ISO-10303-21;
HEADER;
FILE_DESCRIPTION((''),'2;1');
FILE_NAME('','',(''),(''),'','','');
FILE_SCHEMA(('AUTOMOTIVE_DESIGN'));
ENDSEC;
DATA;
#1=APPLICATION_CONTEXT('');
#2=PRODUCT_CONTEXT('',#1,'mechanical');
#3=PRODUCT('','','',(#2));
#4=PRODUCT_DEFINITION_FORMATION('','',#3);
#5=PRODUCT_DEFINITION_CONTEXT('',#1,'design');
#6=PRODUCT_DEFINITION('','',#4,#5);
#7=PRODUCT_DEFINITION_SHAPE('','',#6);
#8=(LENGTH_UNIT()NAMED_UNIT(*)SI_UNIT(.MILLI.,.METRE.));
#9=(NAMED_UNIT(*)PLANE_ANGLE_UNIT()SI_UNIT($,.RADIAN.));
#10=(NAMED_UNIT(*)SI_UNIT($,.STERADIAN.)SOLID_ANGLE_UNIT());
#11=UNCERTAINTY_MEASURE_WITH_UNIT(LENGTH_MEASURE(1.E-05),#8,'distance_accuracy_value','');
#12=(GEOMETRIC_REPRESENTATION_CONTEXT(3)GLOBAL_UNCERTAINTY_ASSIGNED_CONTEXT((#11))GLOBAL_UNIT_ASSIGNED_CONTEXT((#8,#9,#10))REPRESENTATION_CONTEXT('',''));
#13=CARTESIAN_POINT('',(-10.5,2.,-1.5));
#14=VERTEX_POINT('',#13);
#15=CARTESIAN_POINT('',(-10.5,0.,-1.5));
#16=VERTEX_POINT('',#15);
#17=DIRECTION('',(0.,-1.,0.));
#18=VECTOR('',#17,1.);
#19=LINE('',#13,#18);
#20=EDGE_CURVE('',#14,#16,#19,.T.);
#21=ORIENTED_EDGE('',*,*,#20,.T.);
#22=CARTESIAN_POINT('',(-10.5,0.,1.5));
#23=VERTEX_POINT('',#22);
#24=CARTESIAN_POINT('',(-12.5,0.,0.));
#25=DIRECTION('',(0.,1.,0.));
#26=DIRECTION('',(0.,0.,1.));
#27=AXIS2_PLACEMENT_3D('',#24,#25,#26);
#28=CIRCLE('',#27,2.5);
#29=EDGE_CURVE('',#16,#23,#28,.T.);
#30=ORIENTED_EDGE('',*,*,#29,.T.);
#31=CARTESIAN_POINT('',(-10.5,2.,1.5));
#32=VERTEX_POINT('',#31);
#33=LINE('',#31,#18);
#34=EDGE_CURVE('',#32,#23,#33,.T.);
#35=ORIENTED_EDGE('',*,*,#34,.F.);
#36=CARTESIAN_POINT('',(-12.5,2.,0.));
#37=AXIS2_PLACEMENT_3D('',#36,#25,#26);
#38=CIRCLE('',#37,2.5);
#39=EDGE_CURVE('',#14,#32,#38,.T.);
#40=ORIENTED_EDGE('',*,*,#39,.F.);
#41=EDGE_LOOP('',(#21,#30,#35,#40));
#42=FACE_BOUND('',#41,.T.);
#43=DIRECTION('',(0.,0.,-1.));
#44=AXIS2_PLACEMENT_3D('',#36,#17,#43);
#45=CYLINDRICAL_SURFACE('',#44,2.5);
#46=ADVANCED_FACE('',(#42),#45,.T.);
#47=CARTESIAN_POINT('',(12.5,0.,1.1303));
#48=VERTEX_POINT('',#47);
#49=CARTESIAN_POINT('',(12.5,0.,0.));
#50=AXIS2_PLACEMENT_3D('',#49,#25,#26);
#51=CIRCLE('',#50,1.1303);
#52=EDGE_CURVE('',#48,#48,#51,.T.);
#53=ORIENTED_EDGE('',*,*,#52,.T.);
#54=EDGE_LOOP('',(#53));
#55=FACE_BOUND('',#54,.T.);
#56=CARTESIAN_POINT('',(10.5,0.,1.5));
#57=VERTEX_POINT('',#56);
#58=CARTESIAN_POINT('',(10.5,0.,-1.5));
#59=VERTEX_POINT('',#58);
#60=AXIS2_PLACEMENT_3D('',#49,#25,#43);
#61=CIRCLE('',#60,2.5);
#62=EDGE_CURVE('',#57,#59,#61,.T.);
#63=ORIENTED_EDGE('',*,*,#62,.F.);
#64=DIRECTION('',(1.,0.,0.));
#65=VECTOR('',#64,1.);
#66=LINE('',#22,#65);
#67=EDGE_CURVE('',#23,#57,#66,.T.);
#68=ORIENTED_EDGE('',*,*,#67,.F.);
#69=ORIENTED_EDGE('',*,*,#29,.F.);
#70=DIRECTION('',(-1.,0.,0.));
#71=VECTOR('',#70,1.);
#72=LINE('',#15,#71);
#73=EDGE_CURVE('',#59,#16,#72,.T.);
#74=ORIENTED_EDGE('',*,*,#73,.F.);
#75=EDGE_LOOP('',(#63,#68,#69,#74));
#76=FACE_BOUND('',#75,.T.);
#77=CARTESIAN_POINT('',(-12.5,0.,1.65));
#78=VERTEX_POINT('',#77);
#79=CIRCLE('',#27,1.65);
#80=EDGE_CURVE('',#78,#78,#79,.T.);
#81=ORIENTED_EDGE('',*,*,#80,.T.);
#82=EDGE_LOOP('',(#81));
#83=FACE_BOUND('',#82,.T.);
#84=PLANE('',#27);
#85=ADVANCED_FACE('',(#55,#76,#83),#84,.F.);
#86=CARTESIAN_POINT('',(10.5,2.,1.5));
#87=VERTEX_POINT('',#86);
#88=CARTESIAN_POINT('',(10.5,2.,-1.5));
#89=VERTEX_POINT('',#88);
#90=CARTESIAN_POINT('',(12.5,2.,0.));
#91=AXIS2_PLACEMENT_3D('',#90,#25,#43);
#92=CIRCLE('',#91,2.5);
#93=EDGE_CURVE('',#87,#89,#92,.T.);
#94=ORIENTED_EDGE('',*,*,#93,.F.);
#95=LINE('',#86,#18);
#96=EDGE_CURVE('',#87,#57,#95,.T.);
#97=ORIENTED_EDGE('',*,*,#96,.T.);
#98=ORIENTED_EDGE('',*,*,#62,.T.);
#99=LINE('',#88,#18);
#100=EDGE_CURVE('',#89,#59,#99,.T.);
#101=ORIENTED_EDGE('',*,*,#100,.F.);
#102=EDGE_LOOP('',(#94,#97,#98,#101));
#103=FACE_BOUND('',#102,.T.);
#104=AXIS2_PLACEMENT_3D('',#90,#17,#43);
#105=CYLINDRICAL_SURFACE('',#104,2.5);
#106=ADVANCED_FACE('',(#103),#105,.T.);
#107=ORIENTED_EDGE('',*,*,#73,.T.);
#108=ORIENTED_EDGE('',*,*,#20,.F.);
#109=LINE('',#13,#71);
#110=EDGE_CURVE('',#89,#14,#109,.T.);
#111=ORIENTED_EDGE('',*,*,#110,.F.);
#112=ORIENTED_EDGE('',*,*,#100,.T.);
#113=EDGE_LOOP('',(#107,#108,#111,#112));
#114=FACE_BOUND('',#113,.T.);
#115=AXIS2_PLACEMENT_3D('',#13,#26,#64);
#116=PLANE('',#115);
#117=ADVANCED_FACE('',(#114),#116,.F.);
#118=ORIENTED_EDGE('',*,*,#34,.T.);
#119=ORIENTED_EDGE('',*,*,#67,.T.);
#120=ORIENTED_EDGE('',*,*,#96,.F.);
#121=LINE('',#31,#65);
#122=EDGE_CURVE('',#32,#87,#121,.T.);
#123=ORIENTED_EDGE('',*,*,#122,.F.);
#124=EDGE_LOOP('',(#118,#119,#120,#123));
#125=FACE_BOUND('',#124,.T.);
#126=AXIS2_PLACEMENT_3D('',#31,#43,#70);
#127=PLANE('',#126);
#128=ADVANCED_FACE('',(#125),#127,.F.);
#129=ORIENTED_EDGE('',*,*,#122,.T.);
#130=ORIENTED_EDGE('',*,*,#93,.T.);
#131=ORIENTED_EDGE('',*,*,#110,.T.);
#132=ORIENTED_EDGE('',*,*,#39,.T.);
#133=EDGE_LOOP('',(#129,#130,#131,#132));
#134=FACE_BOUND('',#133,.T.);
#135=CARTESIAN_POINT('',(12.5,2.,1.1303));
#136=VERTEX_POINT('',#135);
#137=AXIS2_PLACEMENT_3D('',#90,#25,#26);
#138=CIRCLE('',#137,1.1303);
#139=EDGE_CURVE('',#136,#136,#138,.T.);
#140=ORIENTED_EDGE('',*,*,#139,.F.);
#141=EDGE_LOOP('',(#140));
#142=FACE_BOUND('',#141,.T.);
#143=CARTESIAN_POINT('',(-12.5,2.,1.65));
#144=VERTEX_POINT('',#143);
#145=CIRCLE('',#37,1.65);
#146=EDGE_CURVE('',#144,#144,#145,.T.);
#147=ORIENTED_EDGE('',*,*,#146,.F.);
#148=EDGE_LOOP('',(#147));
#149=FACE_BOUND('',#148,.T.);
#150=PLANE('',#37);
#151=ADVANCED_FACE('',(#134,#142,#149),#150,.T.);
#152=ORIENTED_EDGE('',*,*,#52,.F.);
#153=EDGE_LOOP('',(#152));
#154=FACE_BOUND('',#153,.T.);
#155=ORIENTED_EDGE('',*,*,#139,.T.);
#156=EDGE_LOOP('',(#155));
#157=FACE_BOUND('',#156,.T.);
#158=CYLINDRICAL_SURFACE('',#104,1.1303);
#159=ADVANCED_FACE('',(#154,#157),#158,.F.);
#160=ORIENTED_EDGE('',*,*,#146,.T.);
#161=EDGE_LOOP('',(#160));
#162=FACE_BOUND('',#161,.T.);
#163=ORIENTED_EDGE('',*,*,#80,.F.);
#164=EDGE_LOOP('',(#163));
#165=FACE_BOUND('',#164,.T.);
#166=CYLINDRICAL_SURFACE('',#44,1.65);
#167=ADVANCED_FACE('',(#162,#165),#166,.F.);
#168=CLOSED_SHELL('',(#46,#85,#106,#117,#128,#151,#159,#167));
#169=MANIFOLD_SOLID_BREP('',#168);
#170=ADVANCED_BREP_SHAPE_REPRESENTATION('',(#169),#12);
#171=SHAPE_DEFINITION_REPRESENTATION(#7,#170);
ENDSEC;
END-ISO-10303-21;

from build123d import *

# Parameters (mm, degrees)
SKETCH1_R           = 1.65
SKETCH1_R_2         = 1.1303
BOSS_EXTRUDE1_DEPTH = 2


with BuildPart() as part:
    # Sketch1 → Boss-Extrude1 (new body)
    with BuildSketch(Plane(origin=(0, 0, 0), x_dir=(1, 0, 0), z_dir=(0, 1, 0))):
        with BuildLine():
            Line((-10.5, 1.5), (10.5, 1.5))
            ThreePointArc((10.5, 1.5), (15, 0), (10.5, -1.5))
            Line((10.5, -1.5), (-10.5, -1.5))
            ThreePointArc((-10.5, -1.5), (-15, 0), (-10.5, 1.5))
        make_face()
        with Locations(Location((-12.5, 0, 0), (0, 0, 270))):
            Circle(SKETCH1_R, mode=Mode.SUBTRACT)
        with Locations(Location((12.5, 0, 0), (0, 0, 270))):
            Circle(SKETCH1_R_2, mode=Mode.SUBTRACT)
    extrude(amount=BOSS_EXTRUDE1_DEPTH)


solid = part.part
